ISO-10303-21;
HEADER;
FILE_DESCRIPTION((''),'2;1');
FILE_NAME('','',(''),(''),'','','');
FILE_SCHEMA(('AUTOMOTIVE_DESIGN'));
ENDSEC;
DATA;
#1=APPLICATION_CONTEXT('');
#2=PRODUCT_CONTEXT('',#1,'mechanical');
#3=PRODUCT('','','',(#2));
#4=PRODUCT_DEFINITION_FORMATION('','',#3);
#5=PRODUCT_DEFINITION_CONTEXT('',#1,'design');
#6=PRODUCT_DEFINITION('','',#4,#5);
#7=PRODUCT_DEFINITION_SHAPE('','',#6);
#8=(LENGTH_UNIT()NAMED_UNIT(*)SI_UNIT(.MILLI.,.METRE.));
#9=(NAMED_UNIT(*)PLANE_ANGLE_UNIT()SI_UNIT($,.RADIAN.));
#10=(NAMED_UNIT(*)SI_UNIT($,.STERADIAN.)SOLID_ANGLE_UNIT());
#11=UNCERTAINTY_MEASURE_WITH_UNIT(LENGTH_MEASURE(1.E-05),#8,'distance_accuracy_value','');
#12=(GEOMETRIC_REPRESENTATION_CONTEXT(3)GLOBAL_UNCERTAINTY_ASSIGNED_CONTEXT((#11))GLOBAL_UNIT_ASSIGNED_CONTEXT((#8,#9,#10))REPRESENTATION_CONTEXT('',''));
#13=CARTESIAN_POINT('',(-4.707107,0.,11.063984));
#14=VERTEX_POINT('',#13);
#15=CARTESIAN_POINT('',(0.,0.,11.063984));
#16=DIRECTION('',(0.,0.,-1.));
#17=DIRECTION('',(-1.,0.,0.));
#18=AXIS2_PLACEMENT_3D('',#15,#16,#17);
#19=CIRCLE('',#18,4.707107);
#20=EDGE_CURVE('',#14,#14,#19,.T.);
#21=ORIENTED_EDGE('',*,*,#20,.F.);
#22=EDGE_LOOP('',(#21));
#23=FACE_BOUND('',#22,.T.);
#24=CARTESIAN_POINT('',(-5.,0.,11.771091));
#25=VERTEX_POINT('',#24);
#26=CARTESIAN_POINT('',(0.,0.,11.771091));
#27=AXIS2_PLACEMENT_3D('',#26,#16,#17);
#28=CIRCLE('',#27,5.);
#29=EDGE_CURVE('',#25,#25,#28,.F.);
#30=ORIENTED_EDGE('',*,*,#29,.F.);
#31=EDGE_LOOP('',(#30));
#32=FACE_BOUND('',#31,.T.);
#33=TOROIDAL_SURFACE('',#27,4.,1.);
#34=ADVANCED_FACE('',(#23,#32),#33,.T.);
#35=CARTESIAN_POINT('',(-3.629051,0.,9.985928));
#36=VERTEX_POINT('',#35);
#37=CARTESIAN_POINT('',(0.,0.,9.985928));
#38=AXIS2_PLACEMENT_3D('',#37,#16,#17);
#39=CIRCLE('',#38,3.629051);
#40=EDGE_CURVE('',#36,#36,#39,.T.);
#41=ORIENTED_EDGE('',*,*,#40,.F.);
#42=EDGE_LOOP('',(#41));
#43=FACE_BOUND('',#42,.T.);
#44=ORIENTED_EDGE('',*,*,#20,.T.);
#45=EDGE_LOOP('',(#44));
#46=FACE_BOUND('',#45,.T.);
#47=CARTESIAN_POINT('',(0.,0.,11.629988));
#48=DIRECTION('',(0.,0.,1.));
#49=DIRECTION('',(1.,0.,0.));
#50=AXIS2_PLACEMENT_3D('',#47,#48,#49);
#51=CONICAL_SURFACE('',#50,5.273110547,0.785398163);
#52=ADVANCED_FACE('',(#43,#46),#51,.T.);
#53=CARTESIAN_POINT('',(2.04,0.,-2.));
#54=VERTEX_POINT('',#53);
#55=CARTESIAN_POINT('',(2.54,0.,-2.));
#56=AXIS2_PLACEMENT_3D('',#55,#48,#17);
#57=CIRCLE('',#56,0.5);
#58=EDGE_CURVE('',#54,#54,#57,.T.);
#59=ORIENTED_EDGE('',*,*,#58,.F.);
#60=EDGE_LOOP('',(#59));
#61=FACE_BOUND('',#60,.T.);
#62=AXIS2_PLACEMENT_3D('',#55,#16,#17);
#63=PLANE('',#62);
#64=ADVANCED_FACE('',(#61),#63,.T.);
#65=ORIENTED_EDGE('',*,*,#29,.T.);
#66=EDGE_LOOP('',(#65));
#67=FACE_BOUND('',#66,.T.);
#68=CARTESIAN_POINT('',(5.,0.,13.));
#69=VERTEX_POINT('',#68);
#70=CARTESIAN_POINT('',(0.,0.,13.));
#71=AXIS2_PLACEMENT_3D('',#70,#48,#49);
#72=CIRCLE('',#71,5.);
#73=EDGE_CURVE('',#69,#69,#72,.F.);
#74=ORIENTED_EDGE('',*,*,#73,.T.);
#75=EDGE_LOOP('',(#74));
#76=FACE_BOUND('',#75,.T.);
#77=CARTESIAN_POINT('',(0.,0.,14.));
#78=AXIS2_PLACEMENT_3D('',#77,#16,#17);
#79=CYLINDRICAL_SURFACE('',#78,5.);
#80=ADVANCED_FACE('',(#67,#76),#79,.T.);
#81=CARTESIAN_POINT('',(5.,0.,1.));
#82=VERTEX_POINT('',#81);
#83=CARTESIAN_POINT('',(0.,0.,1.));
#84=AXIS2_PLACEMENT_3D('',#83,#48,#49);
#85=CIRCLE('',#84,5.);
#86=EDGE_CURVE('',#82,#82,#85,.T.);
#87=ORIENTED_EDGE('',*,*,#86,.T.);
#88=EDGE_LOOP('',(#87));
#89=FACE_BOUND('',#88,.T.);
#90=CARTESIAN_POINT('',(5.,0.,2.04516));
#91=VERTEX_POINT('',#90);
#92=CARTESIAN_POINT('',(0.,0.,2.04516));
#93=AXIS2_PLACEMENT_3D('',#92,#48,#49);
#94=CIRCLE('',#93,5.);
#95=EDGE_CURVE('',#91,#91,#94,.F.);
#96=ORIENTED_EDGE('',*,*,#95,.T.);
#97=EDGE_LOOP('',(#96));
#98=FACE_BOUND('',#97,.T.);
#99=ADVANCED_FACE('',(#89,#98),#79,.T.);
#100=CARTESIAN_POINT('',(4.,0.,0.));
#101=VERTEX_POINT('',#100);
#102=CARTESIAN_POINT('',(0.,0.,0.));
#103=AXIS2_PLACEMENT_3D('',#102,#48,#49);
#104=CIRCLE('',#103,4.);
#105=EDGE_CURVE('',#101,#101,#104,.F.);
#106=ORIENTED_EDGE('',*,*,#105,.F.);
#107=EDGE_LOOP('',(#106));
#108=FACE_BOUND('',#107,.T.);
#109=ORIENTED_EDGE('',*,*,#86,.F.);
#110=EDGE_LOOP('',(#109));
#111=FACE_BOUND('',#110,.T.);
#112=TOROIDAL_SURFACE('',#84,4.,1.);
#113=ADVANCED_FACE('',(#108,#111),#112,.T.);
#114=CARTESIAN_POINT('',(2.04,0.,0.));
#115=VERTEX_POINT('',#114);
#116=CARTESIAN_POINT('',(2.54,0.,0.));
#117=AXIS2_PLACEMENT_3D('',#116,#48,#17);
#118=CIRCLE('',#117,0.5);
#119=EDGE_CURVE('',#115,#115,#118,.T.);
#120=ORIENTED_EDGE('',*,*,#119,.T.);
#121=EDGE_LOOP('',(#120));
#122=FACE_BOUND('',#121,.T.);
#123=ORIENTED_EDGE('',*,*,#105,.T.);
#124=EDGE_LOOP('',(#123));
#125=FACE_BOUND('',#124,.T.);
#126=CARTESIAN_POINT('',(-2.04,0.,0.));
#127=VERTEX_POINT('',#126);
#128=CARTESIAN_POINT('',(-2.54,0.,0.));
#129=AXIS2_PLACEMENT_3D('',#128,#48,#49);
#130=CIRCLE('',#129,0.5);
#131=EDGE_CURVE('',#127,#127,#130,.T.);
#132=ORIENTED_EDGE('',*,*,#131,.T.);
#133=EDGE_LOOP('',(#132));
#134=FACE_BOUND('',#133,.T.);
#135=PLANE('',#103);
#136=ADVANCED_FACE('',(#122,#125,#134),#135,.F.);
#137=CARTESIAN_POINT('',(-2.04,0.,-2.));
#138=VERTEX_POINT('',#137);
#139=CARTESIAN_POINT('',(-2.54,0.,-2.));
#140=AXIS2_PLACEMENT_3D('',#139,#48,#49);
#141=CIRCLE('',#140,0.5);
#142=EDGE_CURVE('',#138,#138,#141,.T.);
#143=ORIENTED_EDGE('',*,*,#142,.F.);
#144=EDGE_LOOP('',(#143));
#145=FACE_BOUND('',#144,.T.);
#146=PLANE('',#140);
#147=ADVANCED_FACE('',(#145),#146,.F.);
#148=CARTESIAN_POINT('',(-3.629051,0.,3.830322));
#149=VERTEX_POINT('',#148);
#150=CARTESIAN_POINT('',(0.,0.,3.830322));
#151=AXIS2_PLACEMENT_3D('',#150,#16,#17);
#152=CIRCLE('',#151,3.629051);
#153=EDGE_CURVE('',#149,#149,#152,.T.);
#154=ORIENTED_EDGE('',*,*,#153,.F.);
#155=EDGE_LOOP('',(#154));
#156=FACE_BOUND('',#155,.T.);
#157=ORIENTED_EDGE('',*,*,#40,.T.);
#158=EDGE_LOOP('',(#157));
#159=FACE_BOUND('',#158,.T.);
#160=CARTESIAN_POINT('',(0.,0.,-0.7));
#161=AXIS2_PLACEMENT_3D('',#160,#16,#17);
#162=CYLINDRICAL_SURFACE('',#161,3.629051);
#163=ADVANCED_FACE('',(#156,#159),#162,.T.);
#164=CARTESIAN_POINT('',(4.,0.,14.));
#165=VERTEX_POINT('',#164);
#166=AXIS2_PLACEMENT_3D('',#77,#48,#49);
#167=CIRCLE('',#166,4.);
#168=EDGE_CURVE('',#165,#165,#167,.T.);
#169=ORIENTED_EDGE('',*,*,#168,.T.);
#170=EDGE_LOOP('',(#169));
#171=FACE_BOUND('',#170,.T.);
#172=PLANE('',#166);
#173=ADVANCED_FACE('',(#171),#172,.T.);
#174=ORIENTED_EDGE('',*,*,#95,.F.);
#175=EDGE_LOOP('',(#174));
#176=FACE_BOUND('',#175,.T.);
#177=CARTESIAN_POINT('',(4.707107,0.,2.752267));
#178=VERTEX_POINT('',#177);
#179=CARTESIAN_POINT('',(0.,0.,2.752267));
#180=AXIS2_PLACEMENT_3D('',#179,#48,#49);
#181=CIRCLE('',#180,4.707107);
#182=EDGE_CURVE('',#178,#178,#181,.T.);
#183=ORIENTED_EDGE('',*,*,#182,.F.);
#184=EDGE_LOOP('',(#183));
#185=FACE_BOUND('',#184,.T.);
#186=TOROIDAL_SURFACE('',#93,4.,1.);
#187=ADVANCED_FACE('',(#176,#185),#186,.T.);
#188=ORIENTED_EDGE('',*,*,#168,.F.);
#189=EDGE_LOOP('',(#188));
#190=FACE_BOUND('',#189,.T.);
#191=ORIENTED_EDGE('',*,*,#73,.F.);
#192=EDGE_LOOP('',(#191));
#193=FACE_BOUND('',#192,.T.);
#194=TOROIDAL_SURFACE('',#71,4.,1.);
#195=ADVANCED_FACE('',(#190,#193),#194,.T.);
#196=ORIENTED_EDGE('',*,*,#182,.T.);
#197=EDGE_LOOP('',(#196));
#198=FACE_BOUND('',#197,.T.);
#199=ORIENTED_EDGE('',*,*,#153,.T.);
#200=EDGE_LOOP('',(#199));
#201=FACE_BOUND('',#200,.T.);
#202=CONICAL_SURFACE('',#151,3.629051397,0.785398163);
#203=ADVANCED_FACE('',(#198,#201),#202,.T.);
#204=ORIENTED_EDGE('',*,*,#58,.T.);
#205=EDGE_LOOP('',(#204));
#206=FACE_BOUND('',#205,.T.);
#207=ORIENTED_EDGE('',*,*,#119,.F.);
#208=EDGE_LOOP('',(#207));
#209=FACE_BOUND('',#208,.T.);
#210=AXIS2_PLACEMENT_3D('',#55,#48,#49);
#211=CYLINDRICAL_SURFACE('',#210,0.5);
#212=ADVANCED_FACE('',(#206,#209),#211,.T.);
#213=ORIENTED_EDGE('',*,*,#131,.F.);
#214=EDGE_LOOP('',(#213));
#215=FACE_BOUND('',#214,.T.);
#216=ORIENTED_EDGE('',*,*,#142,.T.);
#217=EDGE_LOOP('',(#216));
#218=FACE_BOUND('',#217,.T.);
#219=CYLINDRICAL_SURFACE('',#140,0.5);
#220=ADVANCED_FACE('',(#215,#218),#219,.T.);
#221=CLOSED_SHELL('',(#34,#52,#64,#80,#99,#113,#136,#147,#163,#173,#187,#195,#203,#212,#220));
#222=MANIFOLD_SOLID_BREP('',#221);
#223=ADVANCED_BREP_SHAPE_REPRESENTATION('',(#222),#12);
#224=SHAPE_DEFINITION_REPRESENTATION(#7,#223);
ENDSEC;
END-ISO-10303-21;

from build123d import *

# Parameters (mm, degrees)
SKETCH_1_R      = 5
EXTRUDE_1_DEPTH = 14
SKETCH_4_R      = 0.5
EXTRUDE_2_DEPTH = 2
FILLET_2_R      = 1


with BuildPart() as part:
    # 草图1 → 凸台-拉伸1 (new body)
    with BuildSketch(Plane.XY):
        Circle(SKETCH_1_R)
    extrude(amount=EXTRUDE_1_DEPTH)

    # 草图3 → 切除-旋转1 (revolve, cut)
    with BuildSketch(Plane(origin=(0, 0, 0), x_dir=(1, 0, 0), z_dir=(0, 1, 0))):
        Polygon((-5.273110547, -2.186263047), (-3.629051397, -3.830322197), (-3.629051397, -9.985928365), (-5.273110547, -11.629987515), align=None)
    revolve(axis=Axis((0, 0, -0.7), (0, 0, 1)), mode=Mode.SUBTRACT)

    # 草图4 → 凸台-拉伸2 (add)
    with BuildSketch(Plane.XY):
        with Locations((-2.54, 0)):
            Circle(SKETCH_4_R)
        with Locations(Location((2.54, 0, 0), (0, 0, 180))):
            Circle(SKETCH_4_R)
    extrude(amount=-EXTRUDE_2_DEPTH)

    # 圆角2
    fillet_2_edges = [part.edges().sort_by_distance(p)[0] for p in [
        (-5, 0, 0),
        (-5, 0, 14),
        (0, -5, 2.459373595),
        (0, -5, 11.356876968),
    ]]
    fillet(fillet_2_edges, radius=FILLET_2_R)


solid = part.part
